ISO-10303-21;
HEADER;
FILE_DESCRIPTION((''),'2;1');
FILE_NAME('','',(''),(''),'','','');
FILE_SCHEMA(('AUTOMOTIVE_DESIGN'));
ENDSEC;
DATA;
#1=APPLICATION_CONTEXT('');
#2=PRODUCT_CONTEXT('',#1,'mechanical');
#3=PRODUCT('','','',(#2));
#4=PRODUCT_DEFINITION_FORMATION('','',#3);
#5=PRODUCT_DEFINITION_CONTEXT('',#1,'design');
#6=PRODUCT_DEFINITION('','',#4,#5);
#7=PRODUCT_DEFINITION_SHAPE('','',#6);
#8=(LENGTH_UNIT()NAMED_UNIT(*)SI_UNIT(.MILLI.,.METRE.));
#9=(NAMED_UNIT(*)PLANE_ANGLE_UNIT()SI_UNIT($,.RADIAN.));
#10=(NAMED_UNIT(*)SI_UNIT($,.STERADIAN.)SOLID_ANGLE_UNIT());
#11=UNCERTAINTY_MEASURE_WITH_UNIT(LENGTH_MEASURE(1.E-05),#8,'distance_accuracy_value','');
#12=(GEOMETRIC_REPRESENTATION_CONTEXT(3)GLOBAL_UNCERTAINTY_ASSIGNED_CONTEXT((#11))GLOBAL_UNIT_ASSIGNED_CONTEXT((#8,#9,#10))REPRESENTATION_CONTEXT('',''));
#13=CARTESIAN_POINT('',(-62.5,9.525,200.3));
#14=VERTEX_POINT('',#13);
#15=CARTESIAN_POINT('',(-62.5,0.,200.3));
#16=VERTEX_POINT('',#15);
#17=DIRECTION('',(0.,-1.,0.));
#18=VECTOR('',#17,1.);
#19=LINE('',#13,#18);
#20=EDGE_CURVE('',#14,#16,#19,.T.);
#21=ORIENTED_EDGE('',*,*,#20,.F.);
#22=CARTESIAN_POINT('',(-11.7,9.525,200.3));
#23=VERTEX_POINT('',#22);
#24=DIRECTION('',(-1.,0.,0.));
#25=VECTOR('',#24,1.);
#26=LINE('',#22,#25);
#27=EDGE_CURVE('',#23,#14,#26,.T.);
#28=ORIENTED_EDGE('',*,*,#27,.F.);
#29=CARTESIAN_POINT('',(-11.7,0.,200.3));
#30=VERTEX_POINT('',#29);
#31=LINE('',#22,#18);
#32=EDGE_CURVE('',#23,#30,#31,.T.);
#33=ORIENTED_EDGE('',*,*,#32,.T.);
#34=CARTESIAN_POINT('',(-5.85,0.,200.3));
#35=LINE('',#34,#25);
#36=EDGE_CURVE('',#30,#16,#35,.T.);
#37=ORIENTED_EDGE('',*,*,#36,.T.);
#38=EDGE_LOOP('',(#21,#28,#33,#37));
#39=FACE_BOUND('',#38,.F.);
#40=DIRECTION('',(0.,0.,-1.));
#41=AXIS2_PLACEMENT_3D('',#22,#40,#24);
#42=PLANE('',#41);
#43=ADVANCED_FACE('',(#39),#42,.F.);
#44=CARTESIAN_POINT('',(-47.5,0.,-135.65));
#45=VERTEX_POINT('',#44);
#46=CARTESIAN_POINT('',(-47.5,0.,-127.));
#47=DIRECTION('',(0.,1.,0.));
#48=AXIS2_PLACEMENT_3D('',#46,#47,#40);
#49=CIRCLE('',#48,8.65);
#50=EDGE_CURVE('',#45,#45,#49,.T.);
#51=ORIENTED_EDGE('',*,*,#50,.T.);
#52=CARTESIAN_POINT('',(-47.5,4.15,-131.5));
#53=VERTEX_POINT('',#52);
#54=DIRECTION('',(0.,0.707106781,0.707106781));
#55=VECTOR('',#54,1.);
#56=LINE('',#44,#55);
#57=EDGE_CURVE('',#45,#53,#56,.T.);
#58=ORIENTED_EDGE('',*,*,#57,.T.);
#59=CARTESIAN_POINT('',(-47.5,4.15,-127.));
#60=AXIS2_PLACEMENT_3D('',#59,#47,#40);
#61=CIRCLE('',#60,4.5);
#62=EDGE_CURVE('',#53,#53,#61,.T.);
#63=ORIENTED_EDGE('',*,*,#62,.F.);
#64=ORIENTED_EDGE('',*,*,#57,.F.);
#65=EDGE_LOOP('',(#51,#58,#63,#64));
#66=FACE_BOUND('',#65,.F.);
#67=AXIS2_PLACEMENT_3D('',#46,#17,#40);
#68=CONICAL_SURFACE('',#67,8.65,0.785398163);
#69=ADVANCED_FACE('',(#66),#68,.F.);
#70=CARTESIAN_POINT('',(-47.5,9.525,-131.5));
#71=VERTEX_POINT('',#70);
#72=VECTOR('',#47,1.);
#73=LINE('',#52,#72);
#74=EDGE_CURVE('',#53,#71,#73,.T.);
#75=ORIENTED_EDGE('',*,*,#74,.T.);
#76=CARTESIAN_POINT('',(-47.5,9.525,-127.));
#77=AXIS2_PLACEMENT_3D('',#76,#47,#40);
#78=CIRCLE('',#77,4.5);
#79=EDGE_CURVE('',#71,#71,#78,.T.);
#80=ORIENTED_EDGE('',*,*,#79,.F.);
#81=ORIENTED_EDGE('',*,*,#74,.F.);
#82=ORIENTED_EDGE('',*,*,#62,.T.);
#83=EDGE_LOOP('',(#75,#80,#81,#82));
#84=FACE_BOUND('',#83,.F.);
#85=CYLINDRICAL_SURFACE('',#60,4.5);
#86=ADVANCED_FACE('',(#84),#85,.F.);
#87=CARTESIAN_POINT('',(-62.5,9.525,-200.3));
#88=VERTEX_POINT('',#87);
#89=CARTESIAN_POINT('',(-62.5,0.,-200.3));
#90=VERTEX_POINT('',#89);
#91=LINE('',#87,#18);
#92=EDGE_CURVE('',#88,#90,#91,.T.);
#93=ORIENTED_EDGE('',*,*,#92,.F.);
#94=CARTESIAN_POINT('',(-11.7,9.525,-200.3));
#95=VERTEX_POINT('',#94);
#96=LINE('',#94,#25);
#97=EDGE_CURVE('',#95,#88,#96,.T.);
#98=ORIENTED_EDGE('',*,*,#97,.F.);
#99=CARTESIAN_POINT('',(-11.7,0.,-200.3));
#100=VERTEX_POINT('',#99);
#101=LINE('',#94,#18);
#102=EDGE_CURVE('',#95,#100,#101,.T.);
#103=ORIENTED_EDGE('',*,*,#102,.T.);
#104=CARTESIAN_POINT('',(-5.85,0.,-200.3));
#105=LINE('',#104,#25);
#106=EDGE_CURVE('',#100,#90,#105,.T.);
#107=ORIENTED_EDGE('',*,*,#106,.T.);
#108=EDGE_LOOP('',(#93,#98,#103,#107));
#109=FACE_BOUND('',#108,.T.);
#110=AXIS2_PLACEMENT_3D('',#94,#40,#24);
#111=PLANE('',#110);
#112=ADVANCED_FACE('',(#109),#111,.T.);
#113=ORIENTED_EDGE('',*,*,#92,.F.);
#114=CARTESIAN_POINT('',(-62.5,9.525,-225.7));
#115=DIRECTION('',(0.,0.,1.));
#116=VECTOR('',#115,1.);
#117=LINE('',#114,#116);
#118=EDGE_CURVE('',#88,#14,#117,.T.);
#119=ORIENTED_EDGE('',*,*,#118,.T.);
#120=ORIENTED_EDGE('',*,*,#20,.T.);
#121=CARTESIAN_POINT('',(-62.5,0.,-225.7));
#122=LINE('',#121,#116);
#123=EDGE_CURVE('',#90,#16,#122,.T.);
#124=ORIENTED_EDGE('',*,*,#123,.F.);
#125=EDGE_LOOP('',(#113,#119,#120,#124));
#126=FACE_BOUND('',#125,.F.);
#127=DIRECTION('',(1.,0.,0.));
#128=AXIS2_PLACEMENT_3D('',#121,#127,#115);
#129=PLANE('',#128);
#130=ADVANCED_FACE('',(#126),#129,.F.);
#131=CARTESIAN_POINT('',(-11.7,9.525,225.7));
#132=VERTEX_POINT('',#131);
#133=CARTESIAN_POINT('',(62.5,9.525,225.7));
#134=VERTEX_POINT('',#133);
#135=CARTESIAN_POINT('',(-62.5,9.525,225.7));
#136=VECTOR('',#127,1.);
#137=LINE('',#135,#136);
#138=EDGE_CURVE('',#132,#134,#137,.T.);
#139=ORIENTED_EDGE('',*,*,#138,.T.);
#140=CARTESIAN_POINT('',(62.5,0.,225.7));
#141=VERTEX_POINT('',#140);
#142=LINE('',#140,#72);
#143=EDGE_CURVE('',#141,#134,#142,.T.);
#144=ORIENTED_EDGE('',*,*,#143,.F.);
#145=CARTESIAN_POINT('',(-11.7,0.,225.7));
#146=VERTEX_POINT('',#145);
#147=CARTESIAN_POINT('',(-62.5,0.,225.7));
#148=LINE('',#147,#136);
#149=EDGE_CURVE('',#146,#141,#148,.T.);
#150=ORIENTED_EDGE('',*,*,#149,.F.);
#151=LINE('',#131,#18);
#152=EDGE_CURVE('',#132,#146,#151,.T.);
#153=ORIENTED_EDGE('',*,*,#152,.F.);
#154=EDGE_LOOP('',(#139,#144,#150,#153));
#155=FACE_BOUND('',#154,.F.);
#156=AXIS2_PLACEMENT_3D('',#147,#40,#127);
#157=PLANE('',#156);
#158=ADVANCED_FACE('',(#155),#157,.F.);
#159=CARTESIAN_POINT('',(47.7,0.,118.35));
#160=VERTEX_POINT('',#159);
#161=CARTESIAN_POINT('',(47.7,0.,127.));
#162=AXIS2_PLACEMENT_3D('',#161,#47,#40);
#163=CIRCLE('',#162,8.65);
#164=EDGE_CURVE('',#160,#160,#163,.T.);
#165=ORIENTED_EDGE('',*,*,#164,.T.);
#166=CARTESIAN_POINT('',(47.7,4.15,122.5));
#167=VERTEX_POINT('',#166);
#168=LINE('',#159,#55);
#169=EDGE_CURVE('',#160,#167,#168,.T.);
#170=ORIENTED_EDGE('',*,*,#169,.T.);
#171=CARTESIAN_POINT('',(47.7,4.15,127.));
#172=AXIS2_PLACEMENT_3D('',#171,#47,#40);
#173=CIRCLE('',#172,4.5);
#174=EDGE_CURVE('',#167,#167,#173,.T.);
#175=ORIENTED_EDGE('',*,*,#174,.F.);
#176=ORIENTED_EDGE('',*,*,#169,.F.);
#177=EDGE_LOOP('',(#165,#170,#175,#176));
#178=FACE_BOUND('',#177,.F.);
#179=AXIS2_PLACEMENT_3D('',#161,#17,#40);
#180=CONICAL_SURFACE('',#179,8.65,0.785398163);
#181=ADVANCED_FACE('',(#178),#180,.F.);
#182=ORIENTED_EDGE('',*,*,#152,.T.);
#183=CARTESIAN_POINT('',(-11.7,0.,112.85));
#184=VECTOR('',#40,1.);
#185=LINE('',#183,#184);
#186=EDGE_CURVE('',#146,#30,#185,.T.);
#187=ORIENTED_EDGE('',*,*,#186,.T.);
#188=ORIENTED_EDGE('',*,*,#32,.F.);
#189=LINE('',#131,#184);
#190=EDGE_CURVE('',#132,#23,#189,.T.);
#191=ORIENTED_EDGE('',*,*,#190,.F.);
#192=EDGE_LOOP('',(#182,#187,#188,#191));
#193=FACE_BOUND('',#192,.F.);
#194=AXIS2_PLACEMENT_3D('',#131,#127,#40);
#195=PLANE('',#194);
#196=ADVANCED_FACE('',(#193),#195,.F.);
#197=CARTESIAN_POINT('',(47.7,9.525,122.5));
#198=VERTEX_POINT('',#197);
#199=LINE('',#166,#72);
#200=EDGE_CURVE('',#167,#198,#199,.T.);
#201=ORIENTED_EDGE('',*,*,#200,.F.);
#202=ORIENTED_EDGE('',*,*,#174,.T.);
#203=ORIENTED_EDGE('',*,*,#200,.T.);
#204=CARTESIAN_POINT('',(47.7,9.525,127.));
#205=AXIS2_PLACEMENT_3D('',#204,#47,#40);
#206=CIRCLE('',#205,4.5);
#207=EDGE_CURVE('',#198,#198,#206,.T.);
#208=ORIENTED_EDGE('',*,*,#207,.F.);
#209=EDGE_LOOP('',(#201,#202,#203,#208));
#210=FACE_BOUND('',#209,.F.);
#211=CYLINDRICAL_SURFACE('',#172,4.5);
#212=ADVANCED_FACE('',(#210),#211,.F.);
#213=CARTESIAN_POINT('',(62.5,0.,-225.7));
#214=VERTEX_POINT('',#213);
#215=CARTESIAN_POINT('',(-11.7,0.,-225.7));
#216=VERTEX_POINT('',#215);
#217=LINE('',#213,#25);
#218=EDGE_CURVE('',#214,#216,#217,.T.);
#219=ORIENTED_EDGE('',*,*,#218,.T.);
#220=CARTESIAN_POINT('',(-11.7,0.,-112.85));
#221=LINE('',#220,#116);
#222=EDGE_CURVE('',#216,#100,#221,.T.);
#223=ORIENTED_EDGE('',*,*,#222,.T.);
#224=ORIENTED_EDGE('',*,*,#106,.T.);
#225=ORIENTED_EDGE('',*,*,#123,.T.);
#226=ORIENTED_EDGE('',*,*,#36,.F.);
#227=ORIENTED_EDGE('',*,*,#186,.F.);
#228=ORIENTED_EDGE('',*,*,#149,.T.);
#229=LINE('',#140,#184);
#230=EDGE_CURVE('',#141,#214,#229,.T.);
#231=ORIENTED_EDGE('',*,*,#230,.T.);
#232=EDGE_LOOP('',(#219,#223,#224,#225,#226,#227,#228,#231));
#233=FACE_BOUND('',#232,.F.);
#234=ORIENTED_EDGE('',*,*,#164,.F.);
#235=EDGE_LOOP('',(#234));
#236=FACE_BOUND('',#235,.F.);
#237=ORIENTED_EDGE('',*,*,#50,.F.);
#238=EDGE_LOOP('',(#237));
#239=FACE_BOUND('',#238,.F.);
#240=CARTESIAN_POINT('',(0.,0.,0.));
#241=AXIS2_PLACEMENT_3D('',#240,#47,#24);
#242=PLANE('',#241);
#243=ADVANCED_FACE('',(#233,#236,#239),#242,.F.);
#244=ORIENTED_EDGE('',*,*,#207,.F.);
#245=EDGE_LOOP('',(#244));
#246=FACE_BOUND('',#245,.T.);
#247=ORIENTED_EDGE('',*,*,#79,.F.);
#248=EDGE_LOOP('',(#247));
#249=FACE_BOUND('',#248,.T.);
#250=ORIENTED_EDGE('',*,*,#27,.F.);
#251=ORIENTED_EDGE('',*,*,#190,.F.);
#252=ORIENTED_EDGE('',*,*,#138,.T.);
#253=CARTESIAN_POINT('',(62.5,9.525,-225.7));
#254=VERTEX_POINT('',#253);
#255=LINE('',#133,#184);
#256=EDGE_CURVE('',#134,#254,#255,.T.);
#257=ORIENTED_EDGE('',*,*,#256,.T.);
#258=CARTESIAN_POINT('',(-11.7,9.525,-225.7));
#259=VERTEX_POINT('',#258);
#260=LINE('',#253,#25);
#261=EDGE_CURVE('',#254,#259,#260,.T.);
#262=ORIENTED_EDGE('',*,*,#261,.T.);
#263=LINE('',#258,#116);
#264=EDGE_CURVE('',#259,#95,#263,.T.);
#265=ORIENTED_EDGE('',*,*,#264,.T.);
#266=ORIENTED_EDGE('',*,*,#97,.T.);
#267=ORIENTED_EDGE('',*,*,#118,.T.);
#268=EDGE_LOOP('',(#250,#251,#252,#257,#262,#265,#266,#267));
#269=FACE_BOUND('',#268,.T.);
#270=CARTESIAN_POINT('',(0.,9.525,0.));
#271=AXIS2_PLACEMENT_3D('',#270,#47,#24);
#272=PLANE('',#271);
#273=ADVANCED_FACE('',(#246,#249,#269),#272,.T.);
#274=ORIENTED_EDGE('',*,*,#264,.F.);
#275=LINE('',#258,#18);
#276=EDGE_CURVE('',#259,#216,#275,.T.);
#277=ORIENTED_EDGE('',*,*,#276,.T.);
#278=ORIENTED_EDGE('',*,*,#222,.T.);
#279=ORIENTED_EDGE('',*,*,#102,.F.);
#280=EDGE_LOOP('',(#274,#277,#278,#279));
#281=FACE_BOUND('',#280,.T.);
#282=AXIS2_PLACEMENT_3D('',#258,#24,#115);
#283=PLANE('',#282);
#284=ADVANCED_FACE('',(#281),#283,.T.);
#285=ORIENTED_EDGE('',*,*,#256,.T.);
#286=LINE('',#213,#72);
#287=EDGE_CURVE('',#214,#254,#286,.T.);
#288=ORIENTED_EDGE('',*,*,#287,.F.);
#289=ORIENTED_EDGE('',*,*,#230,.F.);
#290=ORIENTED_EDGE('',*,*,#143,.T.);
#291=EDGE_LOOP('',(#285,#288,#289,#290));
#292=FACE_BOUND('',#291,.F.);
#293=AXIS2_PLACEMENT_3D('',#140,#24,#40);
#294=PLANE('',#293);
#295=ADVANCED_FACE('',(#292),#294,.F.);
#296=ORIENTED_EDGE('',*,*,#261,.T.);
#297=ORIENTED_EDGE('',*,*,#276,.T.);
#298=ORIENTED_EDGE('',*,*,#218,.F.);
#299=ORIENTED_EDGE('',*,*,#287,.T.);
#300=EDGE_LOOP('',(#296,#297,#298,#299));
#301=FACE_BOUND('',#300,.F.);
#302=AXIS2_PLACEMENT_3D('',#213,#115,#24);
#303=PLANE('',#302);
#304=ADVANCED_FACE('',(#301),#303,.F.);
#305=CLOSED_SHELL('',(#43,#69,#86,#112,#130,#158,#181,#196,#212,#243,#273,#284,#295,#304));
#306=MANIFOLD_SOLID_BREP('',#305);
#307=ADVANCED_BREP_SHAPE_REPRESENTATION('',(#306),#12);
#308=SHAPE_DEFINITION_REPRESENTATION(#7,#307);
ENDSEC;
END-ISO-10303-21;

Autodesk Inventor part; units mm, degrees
ref_plane "YZ Plane" through (0, 0, 0) normal (1, 0, 0) x (0, 1, 0)
ref_plane "XZ Plane" through (0, 0, 0) normal (0, 1, 0) x (-1, 0, 0)
ref_plane "XY Plane" through (0, 0, 0) normal (0, 0, 1) x (1, 0, 0)
sketch "Sketch1" plane through (0, 0, 0) normal (0, 1, 0) x (-1, 0, 0)
  line L0 (-62.5, -225.7) -> (62.5, -225.7)
  line L1 (62.5, -225.7) -> (62.5, 225.7)
  line L2 (62.5, 225.7) -> (-62.5, 225.7)
  line L3 (-62.5, 225.7) -> (-62.5, -225.7)
  line L4 (-62.5, -225.7) -> (62.5, 225.7) construction
  line L5 (62.5, -225.7) -> (-62.5, 225.7) construction
  point P0 (0, 0)
  dimension "d0" = 451.4
  dimension "d1" = 125
extrude "Extrusion1" add sketch "Sketch1" along normal blind 9.525
sketch "Sketch2" plane through (0, 9.525, 0) normal (0, 1, 0) x (1, 0, 0)
  line L0 (-62.5, 225.7) -> (-62.5, -225.7) projected
  line L1 (-62.5, -225.7) -> (-11.7, -225.7)
  line L2 (-11.7, -225.7) -> (-11.7, -200.3)
  line L3 (-11.7, -200.3) -> (-62.5, -200.3)
  line L4 (-62.5, -200.3) -> (-62.5, -225.7)
  line L5 (-62.5, 225.7) -> (-11.7, 225.7)
  line L6 (-11.7, 225.7) -> (-11.7, 200.3)
  line L7 (-11.7, 200.3) -> (-62.5, 200.3)
  line L8 (-62.5, 200.3) -> (-62.5, 225.7)
  point P0 (0, 0)
  point P1 (-62.5, 200.3)
  dimension "d4" = 25.4
  dimension "d5" = 25.4
  dimension "d6" = 50.8
  dimension "d7" = 50.8
extrude "Extrusion2" cut sketch "Sketch2" against normal through all
sketch "Sketch3" plane through (0, 0, 0) normal (0, 1, 0) x (1, 0, 0)
  line L0 (-62.5, 200.3) -> (-62.5, -200.3) projected
  line L1 (62.5, -225.7) -> (62.5, 225.7) projected
  point P0 (0, 0)
  point P1 (-47.5, 127)
  point P2 (47.7, -127)
  dimension "d10" = 254
  dimension "d11" = 95.2
  dimension "d12" = 127
  dimension "d13" = 15
  dimension "d14" = 14.8
hole "Hole1" at (-47.5, 0, -127) at (47.7, 0, 127) direction (0, 1, 0) diameter 9 end through all countersink diameter 17.3 countersink angle 90 clearance for "Flat Head Machine Screw" size "M8" standard "Ansi Metric M Profile"
equation "\"d5\" = d4"
equation "\"d7\" = d6"
equation "\"d12\" = 0.5 * d10"
properties part number "Shelf V1" material "Acetal Resin, Black"
